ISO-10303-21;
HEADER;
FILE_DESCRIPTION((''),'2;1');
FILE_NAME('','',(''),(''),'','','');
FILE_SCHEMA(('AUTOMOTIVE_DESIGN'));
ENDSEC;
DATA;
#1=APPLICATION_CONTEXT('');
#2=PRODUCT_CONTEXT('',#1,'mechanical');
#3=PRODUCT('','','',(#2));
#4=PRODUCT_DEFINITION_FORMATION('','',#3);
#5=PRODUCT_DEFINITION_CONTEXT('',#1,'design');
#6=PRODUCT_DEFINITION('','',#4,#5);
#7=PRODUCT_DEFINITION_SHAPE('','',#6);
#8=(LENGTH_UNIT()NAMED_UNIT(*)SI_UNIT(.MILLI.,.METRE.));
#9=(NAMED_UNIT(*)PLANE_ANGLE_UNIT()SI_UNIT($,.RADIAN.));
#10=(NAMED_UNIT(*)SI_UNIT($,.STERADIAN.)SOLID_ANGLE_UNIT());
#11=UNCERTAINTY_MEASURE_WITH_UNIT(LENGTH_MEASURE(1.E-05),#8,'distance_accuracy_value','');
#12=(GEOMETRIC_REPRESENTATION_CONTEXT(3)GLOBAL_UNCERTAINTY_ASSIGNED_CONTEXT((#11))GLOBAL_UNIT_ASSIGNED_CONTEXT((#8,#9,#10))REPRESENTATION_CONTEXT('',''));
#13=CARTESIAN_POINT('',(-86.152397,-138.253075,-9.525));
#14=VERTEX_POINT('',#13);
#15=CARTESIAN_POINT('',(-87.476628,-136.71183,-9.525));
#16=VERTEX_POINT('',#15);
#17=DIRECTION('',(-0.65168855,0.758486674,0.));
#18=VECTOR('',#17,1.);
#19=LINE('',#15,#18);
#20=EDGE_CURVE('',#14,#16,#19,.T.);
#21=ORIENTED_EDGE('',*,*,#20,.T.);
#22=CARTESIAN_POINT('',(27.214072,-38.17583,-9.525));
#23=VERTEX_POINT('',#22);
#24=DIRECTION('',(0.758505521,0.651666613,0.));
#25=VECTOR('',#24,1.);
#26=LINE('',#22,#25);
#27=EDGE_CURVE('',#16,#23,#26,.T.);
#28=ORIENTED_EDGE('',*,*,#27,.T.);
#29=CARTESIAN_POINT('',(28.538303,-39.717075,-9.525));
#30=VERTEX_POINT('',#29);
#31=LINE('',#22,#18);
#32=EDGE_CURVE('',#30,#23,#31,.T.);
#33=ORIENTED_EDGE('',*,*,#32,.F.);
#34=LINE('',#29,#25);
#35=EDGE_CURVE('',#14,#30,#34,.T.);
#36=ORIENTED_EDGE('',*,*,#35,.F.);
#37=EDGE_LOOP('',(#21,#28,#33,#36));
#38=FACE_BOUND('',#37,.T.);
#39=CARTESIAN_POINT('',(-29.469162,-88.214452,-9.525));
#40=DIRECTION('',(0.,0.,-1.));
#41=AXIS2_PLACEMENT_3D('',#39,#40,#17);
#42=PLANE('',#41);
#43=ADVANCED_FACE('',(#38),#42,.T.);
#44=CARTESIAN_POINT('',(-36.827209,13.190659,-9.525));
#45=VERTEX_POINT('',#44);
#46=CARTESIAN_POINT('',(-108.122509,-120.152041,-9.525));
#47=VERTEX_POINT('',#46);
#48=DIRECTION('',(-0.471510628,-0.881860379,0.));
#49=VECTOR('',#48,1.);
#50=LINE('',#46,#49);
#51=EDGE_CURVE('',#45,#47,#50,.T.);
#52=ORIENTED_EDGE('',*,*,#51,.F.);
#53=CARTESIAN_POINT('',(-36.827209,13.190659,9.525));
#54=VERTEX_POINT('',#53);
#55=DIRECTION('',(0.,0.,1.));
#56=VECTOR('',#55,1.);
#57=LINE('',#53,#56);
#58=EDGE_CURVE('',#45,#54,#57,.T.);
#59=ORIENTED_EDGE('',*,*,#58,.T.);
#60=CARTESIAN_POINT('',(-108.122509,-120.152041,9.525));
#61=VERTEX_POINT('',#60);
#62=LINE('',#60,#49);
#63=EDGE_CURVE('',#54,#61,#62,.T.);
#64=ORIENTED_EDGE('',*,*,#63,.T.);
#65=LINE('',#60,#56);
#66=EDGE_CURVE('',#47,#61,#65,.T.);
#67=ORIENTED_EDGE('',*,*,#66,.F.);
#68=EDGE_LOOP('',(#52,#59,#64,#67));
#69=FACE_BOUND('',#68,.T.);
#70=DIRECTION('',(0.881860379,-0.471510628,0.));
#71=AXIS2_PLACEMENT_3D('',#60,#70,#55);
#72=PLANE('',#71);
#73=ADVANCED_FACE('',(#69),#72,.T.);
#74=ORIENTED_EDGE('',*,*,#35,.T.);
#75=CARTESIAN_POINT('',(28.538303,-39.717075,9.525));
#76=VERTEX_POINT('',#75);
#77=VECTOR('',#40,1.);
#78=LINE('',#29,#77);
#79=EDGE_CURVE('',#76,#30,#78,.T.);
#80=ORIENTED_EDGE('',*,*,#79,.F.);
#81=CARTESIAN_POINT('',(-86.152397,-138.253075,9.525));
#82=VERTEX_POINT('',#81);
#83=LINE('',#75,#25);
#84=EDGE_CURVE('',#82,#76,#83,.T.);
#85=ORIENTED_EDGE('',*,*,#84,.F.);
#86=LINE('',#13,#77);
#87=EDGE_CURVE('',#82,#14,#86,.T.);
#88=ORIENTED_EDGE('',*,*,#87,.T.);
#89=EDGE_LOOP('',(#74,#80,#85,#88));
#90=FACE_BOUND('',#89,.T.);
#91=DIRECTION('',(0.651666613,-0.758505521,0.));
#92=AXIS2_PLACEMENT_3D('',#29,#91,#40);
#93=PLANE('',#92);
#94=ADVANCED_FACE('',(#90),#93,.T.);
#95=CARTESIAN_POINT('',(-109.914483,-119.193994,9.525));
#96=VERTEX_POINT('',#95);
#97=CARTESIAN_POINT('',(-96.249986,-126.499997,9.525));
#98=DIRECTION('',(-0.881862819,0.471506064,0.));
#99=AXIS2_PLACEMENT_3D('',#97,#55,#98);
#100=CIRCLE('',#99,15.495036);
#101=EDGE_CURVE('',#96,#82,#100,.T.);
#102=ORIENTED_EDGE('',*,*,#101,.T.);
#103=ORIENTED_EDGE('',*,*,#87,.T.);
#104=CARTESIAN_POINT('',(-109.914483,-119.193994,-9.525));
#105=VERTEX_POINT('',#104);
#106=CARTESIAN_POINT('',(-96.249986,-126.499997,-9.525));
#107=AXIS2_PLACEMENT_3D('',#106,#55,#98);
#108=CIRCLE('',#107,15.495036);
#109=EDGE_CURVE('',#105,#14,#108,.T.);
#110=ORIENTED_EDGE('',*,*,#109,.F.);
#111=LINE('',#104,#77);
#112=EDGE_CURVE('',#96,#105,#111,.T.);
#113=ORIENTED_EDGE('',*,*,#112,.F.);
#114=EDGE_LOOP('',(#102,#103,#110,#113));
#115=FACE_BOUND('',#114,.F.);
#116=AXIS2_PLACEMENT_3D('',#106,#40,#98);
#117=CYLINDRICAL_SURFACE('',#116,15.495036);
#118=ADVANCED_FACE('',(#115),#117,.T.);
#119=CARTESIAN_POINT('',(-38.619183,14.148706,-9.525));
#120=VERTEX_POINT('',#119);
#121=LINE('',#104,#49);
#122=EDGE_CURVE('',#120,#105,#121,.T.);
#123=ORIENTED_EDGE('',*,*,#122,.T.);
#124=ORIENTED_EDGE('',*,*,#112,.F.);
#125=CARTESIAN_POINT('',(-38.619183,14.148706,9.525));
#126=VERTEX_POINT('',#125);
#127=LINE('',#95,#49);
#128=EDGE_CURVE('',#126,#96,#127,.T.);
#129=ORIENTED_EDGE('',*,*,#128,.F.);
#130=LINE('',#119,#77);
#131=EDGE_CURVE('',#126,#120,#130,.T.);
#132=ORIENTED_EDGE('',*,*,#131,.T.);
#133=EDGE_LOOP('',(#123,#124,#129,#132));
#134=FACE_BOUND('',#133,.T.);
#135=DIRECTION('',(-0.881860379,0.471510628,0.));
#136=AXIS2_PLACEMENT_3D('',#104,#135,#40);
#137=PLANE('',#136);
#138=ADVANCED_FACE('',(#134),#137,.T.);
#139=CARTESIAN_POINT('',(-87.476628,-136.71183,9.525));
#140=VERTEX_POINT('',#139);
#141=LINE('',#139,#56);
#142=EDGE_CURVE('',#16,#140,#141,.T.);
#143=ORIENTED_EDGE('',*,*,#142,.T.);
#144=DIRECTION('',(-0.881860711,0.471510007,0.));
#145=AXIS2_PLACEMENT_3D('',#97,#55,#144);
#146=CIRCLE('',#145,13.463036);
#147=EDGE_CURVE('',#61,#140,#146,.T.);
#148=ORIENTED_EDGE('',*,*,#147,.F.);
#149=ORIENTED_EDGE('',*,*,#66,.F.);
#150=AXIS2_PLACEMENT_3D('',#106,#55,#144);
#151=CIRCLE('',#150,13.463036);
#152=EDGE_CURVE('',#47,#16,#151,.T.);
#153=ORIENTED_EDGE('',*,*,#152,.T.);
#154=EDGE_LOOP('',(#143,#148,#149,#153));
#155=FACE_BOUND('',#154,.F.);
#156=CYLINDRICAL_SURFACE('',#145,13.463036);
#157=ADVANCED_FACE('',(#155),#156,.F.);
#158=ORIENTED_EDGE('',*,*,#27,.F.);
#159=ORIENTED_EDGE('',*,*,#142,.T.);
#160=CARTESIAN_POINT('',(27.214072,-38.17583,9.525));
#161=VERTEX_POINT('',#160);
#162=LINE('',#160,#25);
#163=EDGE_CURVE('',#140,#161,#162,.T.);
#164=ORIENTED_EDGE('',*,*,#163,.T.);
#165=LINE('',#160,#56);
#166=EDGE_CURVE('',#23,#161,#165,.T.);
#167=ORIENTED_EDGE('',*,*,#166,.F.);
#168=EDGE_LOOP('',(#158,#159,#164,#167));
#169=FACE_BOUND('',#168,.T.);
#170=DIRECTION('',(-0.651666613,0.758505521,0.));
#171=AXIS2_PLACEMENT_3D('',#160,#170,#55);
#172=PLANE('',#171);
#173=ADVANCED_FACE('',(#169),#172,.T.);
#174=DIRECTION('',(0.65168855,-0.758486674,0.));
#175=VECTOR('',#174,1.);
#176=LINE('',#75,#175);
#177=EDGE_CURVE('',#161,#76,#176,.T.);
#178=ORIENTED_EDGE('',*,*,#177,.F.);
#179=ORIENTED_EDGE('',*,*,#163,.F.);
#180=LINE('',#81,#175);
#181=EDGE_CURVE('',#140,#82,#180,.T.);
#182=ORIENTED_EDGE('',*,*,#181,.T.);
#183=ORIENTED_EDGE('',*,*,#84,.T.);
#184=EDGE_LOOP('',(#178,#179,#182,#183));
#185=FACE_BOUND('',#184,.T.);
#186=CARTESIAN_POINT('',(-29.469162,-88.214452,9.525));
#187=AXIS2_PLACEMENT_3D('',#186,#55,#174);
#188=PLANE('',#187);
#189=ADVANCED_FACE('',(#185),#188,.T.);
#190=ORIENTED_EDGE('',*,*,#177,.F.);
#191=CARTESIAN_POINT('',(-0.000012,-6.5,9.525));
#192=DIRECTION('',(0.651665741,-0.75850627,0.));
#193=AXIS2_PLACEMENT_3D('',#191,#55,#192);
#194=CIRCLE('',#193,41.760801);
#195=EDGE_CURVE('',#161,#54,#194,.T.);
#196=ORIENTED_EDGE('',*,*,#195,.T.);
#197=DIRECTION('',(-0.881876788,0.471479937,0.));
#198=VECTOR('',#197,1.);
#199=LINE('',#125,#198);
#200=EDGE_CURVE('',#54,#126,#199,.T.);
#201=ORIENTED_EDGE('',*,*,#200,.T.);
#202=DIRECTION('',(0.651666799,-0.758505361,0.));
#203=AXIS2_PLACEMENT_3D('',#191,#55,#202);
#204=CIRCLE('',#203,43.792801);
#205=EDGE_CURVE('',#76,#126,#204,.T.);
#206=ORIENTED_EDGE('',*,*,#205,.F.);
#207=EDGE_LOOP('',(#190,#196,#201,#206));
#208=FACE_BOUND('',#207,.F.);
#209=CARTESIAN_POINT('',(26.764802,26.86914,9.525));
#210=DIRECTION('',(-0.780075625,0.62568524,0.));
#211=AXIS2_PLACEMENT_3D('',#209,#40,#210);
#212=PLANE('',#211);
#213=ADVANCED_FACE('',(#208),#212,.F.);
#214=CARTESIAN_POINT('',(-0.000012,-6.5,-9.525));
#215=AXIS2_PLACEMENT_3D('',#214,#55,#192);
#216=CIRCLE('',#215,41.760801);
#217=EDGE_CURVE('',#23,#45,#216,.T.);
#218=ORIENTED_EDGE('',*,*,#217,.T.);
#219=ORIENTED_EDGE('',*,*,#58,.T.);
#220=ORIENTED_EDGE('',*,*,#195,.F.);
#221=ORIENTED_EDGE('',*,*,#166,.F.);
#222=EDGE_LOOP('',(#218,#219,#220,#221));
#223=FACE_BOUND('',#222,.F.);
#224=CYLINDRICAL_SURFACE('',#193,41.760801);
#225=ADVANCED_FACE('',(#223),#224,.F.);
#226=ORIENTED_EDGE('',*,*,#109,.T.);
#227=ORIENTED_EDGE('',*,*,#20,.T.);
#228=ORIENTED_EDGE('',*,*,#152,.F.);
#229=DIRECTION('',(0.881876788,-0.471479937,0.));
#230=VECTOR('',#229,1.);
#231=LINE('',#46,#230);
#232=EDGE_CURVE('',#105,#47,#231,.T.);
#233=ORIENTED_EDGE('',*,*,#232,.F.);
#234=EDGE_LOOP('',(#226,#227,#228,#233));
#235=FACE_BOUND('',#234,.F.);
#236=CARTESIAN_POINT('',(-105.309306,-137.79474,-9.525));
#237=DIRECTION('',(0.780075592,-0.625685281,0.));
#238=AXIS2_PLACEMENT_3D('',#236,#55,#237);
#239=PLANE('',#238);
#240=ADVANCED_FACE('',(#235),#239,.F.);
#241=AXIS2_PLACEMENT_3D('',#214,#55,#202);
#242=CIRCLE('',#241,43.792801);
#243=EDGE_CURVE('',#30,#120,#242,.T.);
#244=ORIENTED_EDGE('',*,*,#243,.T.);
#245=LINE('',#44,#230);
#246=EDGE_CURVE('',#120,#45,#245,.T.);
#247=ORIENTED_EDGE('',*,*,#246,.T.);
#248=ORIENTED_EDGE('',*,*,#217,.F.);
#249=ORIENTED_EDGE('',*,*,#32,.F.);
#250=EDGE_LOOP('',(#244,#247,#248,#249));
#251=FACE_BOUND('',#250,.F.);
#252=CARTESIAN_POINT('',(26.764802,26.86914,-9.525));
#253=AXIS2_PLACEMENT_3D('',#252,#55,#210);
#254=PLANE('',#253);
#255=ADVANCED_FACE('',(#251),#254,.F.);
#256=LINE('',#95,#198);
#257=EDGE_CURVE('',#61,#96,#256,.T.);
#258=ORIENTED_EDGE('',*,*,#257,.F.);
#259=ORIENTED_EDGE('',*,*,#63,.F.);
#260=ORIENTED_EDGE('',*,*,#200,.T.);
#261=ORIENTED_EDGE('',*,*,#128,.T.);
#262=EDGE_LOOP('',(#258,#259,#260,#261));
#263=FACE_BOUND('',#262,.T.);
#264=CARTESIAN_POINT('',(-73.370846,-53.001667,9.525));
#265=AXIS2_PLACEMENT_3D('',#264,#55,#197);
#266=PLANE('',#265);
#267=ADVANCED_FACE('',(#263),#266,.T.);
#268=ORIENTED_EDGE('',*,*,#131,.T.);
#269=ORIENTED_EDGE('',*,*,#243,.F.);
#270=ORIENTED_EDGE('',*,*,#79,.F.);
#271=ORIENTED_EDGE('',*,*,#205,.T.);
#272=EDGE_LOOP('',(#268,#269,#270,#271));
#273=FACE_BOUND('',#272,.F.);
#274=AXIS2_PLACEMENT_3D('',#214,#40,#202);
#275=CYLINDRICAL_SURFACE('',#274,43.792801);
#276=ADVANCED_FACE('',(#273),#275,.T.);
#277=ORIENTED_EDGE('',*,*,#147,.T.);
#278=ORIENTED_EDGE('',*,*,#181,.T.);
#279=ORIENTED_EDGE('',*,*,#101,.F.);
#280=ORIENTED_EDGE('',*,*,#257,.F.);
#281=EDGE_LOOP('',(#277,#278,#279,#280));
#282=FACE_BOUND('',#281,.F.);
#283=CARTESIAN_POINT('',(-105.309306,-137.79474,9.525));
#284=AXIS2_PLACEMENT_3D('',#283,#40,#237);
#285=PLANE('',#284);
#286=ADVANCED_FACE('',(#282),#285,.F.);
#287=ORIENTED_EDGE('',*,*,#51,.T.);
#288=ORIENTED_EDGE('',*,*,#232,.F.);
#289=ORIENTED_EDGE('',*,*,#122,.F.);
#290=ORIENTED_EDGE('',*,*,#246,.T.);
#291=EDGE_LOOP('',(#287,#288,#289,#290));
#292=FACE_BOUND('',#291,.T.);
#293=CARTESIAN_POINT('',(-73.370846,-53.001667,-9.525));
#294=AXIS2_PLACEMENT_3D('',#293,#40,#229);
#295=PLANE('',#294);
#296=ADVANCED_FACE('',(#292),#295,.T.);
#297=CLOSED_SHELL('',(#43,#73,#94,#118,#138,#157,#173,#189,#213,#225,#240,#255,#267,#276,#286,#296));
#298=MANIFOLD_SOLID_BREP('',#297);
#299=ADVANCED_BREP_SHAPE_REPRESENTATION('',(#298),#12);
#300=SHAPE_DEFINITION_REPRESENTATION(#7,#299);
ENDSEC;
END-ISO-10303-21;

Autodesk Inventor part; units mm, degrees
sketch "스케치 경로" plane through (0, 0, 0) normal (0, 0, 1) x (1, 0, 0)
  arc A0 (-108.7273, -119.8287) -> (-87.0297, -137.232) centre (-96.25, -126.5) ccw
  arc A1 (27.661, -38.696) -> (-37.432, 13.514) centre (0, -6.5) ccw
  line L0 (27.661, -38.696) -> (-87.0297, -137.232)
  line L1 (-108.7273, -119.8287) -> (-37.432, 13.514)
ref_plane "횡단면 평면" through (-87.0297, -137.232, 0) normal (0.7585, 0.6517, 0) x (0, 0, 1)
ref_plane "작업 평면2" through (-96.25, -126.5, 0) normal (-1, 0, 0) x (0, 0, 1)
ref_plane "작업 평면3" through (0, -6.5, 0) normal (-0.5479, -0.8365, 0) x (0, 0, 1)
sketch "횡단면" plane through (-87.0297, -137.232, 0) normal (0.7585, 0.6517, 0) x (0, 0, 1)
  line L0 (-9.525, 1.3462) -> (9.525, 1.3462)
  line L1 (9.525, 1.3462) -> (9.525, -0.6858)
  line L2 (9.525, -0.6858) -> (-9.525, -0.6858)
  line L3 (-9.525, -0.6858) -> (-9.525, 1.3462)
  line L4 (-9.525, 0) -> (9.525, 0) construction
  point P0 (0, 0)
  point P1 (0, 0)
  dimension "d0" = 19.05
  dimension "d4" = 0.6858
  dimension "d5" = 1.3462
sweep "벨트" add profiles "횡단면" path "스케치 경로"
equation "\"d0\" = da_B"
equation "\"d4\" = da_a"
equation "\"d5\" = da_a2"
equation "\"da_B\" = 19.05"
equation "\"da_pb\" = 12.7"
equation "\"da_L\" = 490.68285"
equation "\"da_a\" = 0.6858"
equation "\"da_S\" = 6.1214"
equation "\"da_Beta\" = 20deg"
equation "\"da_Ht\" = 2.286"
equation "\"da_H\" = 4.318"
equation "\"da_a2\" = 1.3462"
properties part number "동기식 벨트" material "Rubber"
